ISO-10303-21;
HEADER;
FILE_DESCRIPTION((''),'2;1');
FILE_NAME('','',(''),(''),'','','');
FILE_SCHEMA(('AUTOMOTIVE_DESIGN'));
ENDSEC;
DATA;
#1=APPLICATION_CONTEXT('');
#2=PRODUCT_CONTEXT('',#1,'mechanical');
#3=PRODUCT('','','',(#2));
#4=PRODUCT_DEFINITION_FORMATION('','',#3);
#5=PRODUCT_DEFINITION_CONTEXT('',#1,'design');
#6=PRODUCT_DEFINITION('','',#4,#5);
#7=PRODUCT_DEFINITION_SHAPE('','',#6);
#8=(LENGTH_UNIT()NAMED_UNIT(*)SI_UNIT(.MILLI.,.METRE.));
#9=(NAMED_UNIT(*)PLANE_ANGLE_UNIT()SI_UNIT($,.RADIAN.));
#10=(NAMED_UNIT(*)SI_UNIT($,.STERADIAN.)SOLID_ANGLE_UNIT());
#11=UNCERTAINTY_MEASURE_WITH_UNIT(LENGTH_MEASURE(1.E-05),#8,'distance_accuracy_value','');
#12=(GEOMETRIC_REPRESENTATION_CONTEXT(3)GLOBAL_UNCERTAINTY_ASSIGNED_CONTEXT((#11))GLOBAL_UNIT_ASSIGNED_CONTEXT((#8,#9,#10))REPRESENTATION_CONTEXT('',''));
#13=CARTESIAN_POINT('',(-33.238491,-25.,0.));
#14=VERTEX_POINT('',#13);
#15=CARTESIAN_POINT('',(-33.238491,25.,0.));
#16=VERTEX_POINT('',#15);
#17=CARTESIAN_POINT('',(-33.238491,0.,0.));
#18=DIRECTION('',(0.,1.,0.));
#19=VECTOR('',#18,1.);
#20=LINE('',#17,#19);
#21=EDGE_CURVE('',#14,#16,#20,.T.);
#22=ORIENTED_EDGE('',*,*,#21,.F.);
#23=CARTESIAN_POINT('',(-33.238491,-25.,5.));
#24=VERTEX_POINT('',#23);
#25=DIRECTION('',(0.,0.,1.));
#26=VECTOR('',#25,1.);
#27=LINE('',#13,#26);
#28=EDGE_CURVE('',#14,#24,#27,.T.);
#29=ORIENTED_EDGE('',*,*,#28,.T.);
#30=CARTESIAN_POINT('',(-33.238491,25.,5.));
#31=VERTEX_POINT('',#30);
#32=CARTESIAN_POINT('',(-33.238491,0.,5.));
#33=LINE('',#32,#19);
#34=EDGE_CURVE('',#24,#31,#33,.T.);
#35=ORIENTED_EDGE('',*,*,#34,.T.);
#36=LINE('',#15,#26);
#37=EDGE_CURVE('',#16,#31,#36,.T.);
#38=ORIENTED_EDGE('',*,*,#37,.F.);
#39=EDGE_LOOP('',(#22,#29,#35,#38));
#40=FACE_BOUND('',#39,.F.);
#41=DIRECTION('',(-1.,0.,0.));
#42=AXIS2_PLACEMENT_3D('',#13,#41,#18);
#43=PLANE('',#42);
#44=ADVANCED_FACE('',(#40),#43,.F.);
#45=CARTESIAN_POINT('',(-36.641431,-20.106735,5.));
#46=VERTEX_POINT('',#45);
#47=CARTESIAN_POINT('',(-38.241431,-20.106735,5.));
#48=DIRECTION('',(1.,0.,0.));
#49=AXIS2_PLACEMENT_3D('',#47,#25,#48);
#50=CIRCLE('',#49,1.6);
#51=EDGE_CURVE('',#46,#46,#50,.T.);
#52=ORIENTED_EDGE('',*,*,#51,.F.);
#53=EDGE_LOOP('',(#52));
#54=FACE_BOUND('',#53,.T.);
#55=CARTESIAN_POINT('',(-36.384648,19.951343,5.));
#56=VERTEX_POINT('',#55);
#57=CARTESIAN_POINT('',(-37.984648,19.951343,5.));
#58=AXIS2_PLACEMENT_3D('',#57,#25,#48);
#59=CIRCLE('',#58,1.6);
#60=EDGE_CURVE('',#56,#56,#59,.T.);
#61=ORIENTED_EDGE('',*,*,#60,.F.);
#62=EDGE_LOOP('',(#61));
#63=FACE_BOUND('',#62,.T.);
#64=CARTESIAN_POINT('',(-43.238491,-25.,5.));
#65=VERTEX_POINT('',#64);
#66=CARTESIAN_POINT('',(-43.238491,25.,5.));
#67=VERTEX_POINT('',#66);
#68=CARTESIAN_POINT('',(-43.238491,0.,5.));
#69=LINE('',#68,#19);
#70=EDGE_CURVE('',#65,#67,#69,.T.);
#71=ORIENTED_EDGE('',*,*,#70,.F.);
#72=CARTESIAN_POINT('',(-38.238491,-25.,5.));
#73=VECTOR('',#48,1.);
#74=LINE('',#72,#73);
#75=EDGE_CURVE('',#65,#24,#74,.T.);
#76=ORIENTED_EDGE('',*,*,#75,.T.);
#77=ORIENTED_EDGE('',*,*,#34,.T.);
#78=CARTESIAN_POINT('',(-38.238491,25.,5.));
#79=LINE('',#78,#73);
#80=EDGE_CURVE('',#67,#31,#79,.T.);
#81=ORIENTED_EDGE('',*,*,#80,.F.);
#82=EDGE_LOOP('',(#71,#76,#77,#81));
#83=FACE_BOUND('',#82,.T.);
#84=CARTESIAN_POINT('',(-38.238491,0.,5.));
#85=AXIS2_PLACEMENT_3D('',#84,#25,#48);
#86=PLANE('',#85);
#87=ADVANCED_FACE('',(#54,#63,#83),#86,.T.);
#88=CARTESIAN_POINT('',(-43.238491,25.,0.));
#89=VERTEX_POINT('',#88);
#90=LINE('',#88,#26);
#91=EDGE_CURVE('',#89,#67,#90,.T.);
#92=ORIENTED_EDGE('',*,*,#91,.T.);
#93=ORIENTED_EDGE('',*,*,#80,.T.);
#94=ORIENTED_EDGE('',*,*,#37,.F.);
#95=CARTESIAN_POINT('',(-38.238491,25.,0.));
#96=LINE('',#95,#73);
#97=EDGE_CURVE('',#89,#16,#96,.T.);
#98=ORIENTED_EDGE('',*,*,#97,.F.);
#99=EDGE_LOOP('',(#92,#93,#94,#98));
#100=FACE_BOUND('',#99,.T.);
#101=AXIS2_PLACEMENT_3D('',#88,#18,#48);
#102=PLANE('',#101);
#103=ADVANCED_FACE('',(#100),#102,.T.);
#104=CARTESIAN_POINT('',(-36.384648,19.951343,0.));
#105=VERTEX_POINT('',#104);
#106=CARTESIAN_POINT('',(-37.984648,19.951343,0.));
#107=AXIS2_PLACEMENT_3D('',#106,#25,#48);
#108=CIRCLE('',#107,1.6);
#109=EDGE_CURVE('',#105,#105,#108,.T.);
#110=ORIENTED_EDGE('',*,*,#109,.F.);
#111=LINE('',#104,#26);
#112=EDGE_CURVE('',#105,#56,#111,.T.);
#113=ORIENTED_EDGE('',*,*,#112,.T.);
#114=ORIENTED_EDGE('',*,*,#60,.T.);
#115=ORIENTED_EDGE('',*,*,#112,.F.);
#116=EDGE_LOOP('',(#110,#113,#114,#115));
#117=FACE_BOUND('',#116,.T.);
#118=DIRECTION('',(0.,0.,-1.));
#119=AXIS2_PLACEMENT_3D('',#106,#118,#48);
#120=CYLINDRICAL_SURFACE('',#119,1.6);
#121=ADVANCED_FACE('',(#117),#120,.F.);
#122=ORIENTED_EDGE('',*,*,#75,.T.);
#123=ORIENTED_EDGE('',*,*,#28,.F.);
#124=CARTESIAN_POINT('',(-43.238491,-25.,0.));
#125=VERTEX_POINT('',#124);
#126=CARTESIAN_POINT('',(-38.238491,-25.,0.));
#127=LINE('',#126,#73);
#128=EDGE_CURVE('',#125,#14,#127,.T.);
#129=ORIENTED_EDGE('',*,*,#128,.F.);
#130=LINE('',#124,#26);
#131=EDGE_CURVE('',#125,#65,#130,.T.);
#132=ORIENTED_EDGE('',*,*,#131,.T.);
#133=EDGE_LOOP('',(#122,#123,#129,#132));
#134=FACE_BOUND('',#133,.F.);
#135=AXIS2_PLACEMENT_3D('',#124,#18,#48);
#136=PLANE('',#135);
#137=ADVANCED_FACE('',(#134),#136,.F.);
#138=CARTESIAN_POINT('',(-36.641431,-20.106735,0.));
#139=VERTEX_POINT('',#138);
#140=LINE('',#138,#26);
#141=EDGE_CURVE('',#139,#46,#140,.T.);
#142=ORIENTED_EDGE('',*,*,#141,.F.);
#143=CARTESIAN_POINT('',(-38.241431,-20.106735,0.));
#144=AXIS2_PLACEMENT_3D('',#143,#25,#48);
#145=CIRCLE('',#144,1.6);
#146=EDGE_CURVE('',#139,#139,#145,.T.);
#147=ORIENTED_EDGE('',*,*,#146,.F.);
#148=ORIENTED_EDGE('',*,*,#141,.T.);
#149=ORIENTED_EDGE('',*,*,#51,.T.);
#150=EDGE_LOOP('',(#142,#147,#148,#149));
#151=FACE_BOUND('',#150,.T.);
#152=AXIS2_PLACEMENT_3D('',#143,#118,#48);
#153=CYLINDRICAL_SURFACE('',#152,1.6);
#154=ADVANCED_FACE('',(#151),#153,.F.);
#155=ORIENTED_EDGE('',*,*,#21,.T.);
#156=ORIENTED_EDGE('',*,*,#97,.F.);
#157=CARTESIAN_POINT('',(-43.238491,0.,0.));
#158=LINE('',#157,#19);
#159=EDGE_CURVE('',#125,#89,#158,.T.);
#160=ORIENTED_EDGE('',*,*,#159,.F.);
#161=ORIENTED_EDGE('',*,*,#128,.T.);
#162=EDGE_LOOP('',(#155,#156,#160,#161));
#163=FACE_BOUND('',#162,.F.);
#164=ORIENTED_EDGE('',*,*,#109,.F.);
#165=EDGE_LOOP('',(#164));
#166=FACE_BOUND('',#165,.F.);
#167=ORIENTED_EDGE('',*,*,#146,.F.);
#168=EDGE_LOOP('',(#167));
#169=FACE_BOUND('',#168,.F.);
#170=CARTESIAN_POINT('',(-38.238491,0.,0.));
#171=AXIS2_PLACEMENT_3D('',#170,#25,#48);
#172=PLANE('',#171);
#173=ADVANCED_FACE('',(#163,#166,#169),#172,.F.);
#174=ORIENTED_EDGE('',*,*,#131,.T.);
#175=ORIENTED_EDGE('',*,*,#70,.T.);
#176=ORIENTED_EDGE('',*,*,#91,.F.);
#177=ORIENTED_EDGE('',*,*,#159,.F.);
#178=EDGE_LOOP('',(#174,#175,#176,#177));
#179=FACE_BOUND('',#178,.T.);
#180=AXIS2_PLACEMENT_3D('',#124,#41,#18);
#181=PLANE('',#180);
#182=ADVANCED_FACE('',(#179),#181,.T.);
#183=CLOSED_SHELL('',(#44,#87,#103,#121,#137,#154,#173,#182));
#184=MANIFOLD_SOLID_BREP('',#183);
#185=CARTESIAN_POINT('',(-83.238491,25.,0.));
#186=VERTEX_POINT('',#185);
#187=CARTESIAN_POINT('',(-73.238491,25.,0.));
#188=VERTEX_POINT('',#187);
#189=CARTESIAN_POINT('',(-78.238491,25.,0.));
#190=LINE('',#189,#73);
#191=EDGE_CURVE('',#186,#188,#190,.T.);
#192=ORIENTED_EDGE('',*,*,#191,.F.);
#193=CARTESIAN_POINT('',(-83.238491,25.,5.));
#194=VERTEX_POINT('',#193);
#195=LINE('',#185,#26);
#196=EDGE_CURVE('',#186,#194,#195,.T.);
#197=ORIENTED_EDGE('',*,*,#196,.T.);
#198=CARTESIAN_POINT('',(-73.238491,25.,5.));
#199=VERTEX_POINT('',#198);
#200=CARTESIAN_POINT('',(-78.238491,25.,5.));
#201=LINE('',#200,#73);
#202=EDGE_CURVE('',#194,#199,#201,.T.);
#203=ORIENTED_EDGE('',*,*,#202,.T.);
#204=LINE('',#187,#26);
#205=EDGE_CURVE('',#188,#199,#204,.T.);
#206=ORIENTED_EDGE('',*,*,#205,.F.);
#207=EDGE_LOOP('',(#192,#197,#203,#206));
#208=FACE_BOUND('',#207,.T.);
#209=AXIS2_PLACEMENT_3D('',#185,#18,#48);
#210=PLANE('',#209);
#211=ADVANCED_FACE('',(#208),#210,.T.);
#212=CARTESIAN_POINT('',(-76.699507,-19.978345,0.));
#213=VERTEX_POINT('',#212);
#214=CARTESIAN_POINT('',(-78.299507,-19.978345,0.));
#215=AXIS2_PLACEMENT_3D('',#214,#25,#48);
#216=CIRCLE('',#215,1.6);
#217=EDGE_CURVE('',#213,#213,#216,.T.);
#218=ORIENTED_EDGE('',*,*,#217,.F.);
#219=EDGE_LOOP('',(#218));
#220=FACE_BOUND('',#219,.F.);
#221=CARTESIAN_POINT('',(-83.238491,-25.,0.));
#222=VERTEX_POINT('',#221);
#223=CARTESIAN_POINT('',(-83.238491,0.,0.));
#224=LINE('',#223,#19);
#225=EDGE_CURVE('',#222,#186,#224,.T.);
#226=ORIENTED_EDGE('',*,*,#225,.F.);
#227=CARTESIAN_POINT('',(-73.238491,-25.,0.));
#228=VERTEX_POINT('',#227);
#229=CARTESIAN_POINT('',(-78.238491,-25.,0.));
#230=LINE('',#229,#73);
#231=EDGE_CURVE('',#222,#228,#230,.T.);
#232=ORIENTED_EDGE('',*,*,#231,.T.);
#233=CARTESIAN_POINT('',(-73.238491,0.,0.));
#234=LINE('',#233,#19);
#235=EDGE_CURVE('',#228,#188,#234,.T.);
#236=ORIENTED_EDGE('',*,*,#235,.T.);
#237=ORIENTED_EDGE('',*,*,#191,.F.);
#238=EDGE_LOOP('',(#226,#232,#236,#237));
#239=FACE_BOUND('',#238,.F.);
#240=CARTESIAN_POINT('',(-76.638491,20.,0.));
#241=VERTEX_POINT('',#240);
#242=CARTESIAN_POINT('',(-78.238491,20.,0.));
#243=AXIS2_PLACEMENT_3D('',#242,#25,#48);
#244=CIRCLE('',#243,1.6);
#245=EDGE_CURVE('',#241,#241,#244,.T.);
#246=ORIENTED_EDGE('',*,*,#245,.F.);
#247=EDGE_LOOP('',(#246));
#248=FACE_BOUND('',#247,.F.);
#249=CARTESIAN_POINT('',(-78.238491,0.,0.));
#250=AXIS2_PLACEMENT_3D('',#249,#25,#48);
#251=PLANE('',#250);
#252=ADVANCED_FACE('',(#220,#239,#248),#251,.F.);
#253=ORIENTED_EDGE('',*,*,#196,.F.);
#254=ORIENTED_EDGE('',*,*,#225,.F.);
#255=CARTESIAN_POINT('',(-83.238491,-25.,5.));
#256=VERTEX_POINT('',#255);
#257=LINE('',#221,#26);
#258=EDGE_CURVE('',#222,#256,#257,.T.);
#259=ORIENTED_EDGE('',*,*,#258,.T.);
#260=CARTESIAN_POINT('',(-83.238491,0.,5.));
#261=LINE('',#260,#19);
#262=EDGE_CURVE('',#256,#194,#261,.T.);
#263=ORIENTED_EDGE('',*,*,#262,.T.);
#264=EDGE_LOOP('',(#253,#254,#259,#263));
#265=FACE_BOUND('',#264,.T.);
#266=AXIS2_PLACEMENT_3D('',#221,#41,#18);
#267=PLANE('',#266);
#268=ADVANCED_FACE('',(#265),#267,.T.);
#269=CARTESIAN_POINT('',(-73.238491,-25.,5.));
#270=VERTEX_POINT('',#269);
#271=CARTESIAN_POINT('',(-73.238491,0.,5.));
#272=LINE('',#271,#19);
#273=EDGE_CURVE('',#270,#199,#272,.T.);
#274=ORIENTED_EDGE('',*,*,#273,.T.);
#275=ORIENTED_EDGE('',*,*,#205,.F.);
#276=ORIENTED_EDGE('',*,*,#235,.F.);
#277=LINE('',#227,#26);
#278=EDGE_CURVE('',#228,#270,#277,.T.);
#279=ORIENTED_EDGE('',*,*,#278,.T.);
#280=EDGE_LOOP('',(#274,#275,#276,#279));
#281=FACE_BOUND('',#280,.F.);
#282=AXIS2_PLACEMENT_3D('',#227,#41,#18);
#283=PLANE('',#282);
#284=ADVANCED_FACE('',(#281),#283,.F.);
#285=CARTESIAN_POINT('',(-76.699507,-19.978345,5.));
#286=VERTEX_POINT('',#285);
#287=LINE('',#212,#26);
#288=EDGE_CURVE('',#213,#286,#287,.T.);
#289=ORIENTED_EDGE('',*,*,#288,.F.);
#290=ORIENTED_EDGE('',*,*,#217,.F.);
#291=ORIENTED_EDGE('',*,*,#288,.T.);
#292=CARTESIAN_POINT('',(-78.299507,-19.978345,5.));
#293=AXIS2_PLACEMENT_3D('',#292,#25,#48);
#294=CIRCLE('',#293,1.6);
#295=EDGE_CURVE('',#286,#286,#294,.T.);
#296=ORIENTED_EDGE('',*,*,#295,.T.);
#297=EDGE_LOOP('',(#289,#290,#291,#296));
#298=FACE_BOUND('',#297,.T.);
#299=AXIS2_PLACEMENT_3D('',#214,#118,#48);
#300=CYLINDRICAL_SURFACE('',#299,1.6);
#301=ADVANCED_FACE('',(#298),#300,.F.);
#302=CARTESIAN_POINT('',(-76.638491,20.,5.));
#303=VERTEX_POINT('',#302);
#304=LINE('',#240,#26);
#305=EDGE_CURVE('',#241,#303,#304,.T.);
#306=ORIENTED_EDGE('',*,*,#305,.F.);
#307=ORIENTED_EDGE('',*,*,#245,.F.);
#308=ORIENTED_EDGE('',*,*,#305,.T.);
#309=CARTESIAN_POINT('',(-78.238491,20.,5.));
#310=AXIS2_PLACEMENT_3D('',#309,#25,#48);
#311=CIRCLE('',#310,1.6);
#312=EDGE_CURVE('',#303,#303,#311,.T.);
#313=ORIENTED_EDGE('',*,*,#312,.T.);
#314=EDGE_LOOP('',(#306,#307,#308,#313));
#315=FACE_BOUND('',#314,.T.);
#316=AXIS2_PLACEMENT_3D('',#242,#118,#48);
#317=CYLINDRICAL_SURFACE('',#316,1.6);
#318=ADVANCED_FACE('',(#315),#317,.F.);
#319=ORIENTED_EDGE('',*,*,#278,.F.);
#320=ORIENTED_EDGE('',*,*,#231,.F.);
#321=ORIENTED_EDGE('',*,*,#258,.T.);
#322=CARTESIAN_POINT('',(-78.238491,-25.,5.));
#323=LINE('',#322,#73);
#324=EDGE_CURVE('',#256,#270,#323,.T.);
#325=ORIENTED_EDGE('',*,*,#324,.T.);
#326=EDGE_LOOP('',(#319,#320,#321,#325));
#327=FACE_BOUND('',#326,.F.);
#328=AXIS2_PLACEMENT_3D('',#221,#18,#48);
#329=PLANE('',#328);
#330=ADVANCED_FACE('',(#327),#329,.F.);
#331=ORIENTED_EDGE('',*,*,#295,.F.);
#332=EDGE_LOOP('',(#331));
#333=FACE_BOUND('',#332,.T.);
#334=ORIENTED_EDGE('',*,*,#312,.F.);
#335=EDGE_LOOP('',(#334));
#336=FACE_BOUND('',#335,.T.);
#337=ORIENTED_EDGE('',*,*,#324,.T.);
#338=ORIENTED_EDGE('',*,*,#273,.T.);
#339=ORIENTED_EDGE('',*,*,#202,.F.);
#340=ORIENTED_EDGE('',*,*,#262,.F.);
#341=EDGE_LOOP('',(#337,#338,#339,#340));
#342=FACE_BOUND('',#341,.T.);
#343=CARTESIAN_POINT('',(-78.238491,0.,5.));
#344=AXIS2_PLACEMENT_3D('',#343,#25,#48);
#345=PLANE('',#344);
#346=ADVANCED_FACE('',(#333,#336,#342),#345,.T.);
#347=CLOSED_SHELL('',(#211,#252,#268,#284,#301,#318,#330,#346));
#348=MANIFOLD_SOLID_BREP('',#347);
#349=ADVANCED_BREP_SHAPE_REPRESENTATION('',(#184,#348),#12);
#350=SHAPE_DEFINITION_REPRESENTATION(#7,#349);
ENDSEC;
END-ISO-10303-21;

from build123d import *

# Parameters (mm, degrees)
F0_W     = 10
F0_H     = 50
F0_R     = 1.6
F1_DEPTH = 5


with BuildPart() as f1:
    # F0 (on Top) → F1 (new body)
    with BuildSketch(Plane.XY):
        with Locations((-78.238491, 0)):
            Rectangle(F0_W, F0_H)
        with Locations((-78.299507, -19.978345)):
            Circle(F0_R, mode=Mode.SUBTRACT)
        with Locations((-78.238491, 20)):
            Circle(F0_R, mode=Mode.SUBTRACT)
        with Locations((-38.238491, 0)):
            Rectangle(F0_W, F0_H)
        with Locations((-38.241431, -20.106735)):
            Circle(F0_R, mode=Mode.SUBTRACT)
        with Locations((-37.984648, 19.951343)):
            Circle(F0_R, mode=Mode.SUBTRACT)
    extrude(amount=F1_DEPTH)


solid = f1.part
